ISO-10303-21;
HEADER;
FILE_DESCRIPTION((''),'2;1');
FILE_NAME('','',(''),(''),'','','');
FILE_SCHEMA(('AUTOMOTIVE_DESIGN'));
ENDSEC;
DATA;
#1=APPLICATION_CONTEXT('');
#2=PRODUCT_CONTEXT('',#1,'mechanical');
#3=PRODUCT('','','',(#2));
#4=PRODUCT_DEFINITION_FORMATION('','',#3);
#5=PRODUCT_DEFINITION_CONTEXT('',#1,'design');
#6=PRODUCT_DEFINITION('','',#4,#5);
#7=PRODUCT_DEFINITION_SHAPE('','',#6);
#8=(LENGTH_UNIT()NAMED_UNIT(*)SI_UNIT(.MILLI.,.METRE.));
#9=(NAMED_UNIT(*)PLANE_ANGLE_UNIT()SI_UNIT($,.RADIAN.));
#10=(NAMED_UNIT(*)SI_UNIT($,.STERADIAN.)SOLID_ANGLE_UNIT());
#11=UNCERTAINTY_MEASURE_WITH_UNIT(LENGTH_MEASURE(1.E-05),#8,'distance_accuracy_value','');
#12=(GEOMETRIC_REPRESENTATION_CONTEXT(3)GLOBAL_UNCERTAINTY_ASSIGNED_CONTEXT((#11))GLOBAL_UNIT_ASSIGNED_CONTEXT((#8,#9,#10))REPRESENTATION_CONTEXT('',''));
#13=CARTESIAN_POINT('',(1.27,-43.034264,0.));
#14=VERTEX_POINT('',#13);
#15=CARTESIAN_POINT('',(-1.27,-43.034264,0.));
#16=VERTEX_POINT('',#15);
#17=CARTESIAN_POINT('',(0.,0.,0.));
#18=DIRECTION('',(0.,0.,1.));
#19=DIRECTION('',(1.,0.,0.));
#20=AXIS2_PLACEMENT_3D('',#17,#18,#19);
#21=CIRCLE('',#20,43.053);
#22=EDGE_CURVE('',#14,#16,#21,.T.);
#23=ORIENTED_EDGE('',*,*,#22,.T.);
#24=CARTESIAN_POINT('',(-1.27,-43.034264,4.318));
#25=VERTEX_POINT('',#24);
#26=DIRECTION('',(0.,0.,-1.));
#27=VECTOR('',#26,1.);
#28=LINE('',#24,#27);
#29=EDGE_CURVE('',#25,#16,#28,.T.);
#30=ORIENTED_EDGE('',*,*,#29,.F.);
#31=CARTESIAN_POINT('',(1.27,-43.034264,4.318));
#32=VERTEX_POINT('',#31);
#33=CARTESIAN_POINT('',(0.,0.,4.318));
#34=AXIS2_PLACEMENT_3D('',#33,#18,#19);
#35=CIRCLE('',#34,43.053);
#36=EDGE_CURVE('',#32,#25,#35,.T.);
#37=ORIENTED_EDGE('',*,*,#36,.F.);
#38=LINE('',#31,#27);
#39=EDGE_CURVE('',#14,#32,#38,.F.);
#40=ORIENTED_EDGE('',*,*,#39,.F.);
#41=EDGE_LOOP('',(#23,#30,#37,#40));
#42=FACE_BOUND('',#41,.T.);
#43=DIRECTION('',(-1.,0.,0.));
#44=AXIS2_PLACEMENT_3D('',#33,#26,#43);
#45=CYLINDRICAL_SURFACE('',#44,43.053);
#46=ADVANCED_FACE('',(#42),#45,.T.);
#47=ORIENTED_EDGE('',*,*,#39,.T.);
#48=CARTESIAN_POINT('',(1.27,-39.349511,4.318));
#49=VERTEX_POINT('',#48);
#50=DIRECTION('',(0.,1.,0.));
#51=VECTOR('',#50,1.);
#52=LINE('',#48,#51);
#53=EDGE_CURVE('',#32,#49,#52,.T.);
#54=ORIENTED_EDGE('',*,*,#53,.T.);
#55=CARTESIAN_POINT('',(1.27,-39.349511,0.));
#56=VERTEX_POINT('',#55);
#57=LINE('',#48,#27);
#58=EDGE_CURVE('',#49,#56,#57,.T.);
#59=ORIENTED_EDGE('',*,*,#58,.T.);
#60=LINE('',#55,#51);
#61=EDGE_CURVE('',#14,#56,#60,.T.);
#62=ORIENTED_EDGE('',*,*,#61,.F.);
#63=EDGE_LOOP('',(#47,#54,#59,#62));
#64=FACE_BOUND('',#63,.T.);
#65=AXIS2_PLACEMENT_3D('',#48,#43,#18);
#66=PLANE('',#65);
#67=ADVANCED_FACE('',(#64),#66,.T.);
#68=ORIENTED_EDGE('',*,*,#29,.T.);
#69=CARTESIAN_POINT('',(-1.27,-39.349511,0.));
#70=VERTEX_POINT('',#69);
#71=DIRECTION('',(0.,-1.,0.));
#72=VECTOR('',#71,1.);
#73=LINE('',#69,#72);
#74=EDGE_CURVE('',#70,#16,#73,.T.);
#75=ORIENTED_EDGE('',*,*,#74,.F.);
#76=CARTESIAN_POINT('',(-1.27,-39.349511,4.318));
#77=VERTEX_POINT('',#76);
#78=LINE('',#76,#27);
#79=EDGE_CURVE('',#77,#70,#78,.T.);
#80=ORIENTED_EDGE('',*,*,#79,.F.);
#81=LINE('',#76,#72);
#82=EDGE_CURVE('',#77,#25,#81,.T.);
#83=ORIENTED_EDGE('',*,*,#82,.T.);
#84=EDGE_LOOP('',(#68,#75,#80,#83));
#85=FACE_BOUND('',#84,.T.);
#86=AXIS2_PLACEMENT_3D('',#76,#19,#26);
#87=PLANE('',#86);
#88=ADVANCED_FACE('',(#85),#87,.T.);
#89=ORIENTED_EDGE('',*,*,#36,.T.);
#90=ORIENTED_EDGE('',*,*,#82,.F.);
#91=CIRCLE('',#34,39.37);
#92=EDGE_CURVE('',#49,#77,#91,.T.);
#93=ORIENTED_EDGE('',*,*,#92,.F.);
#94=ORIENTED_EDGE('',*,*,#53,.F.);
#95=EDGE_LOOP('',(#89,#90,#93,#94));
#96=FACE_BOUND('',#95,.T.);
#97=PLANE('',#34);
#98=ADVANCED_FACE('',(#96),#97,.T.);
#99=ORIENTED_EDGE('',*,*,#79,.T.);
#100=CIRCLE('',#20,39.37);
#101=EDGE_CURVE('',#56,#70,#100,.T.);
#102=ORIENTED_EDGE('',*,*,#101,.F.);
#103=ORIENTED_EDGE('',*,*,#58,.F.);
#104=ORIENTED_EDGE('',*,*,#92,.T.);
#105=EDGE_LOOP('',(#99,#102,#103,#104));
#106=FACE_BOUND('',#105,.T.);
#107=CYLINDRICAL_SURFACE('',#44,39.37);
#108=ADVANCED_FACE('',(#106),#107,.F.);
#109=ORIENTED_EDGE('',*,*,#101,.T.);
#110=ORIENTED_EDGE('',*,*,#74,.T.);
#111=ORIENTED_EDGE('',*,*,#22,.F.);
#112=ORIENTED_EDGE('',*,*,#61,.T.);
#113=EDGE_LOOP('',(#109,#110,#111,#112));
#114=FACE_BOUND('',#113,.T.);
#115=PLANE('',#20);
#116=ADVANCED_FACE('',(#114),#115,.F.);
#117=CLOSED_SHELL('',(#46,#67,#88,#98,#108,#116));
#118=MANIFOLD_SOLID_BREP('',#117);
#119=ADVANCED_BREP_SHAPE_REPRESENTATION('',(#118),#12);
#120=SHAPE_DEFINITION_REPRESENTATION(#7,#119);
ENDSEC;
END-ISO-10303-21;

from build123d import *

# Parameters (mm, degrees)
SKETCH1_R           = 43.053
SKETCH1_R_2         = 39.37
BOSS_EXTRUDE1_DEPTH = 4.318
SKETCH2_W           = 2.54
SKETCH2_H           = 4.749764311
CUT_EXTRUDE1_DEPTH  = 62.039059151


with BuildPart() as part:
    # Sketch1 → Boss-Extrude1 (new body)
    with BuildSketch(Plane.XY):
        Circle(SKETCH1_R)
        Circle(SKETCH1_R_2, mode=Mode.SUBTRACT)
    extrude(amount=BOSS_EXTRUDE1_DEPTH)

    # Sketch2 → Cut-Extrude1 (cut, through all)
    with BuildSketch(Plane.XY):
        with Locations((0, -41.724392952)):
            Rectangle(SKETCH2_W, SKETCH2_H)
    extrude(amount=CUT_EXTRUDE1_DEPTH, mode=Mode.SUBTRACT)


solid = part.part
